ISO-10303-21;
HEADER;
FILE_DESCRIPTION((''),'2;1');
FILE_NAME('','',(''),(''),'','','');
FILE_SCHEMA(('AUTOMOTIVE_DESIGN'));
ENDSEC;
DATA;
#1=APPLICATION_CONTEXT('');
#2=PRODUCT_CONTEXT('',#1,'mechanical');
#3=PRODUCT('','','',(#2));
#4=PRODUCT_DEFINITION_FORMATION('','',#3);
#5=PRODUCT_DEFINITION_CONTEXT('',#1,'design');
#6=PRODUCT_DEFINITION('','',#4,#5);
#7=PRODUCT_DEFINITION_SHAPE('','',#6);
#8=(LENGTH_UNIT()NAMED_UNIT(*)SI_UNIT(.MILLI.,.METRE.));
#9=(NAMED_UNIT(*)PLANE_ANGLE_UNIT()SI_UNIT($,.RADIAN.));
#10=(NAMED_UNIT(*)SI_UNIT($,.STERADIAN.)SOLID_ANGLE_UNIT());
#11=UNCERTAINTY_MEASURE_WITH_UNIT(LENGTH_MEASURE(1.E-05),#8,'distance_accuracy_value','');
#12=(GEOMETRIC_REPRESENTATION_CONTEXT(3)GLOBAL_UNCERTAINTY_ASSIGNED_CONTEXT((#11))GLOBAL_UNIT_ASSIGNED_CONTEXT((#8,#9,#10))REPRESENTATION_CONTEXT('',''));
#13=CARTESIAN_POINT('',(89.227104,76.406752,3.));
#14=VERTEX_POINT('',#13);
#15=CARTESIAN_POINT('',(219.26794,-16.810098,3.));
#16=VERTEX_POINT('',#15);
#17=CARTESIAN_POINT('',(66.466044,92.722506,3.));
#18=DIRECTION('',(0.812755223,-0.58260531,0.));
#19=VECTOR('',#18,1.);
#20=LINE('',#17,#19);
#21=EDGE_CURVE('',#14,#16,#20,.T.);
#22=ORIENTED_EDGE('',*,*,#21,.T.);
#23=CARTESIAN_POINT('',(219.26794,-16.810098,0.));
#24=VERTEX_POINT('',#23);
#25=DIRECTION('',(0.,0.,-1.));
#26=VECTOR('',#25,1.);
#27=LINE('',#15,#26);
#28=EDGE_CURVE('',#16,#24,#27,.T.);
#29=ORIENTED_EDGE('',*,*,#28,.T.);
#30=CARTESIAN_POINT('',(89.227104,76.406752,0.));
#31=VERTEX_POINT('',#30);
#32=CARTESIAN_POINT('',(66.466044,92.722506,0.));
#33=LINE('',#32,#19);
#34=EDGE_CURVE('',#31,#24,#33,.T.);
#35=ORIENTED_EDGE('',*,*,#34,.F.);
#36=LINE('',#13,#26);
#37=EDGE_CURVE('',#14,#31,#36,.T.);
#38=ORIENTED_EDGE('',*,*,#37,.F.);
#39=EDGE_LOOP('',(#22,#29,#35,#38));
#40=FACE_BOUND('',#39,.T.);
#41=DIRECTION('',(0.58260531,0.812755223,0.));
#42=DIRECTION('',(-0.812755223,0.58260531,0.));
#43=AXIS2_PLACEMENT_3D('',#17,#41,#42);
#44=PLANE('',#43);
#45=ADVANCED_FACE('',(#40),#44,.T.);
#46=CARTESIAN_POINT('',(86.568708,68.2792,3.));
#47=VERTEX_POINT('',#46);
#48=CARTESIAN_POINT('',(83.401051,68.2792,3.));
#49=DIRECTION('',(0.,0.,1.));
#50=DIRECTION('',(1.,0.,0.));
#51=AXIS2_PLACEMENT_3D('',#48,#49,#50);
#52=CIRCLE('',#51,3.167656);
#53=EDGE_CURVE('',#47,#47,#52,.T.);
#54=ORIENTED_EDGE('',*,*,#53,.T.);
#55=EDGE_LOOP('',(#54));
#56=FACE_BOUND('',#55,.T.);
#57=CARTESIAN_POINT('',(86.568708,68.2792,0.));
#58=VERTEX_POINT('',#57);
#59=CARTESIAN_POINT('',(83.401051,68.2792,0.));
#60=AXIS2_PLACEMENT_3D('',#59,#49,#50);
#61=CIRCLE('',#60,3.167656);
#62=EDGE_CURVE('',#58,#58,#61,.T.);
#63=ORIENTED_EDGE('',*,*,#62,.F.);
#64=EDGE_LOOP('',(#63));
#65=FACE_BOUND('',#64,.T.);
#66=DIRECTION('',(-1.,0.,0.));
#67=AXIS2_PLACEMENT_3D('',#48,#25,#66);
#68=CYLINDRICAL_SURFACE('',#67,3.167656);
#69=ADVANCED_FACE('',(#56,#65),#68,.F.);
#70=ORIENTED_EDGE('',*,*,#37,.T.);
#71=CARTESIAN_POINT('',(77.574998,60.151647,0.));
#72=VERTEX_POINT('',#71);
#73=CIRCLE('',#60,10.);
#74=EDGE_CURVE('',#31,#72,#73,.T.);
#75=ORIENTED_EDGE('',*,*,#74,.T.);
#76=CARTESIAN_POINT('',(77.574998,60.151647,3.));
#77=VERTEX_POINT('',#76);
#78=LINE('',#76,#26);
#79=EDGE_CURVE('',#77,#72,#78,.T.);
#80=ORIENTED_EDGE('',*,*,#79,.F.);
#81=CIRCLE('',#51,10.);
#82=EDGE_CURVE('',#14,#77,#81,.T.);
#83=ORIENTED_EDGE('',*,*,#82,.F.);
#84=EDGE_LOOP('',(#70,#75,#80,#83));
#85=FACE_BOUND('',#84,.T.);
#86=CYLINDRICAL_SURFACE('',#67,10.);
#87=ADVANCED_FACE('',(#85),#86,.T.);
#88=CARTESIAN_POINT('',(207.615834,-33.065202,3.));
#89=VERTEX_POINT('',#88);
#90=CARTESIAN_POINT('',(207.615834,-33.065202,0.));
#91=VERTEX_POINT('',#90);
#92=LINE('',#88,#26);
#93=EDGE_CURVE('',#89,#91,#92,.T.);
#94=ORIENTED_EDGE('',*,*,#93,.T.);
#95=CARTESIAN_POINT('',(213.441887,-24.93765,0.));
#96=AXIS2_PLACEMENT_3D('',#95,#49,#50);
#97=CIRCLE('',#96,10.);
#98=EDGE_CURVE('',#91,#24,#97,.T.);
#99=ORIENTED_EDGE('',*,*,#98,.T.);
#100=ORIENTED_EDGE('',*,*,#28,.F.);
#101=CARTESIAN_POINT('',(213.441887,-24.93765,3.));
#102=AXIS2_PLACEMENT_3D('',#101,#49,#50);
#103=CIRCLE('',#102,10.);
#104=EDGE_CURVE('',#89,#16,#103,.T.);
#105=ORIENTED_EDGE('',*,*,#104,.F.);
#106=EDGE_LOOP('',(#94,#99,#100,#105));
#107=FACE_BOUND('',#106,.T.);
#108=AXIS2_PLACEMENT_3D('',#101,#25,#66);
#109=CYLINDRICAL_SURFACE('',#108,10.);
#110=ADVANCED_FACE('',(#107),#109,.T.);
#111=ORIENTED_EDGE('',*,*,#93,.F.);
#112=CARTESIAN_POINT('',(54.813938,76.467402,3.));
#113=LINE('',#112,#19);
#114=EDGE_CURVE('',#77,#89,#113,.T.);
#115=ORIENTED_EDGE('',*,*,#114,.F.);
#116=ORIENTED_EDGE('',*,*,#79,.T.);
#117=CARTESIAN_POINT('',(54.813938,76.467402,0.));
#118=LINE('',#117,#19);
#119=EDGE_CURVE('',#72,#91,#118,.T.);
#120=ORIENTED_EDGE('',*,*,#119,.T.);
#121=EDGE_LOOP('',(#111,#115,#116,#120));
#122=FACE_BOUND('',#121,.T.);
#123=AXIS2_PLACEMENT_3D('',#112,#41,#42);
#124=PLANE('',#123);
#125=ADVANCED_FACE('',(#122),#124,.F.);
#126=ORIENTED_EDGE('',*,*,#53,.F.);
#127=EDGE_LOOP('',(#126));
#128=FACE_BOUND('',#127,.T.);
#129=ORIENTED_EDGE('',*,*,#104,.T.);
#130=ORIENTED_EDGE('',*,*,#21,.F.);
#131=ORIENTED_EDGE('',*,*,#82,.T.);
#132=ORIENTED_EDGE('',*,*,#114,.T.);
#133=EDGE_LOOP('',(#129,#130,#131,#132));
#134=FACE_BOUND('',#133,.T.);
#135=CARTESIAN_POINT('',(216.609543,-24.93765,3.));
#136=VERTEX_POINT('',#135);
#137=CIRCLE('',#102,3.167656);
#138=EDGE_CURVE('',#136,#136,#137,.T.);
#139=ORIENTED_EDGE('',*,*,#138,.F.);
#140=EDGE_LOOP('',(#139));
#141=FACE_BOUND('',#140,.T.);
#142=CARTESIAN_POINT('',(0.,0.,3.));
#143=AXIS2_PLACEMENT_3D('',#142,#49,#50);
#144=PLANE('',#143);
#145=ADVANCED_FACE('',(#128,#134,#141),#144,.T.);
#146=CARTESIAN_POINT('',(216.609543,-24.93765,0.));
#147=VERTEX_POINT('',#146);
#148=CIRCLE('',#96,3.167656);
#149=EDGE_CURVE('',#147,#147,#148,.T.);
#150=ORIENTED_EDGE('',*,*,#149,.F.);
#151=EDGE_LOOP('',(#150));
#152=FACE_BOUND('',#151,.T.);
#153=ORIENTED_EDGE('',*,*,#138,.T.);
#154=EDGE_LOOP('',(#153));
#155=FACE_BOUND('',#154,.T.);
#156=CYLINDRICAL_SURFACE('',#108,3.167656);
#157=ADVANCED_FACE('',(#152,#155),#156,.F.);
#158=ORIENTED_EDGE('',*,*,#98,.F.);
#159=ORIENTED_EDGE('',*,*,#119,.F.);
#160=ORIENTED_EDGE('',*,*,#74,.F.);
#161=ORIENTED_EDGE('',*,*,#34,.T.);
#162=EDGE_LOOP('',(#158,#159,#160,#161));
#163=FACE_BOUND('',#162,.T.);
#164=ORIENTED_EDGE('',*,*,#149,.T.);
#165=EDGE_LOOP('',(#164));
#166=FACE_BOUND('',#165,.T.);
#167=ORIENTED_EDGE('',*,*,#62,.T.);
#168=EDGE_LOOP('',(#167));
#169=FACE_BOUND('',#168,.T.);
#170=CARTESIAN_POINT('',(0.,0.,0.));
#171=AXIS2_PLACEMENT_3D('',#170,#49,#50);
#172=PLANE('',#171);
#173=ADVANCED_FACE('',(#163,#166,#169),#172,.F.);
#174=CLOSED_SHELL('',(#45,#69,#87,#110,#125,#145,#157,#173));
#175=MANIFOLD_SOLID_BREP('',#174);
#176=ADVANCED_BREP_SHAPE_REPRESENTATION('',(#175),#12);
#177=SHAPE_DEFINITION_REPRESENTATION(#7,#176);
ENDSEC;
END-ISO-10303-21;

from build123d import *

# Parameters (mm, degrees)
SKETCH1_R           = 3.167656389
BOSS_EXTRUDE1_DEPTH = 3


with BuildPart() as part:
    # Sketch1 → Boss-Extrude1 (new body)
    with BuildSketch(Plane.XY):
        with BuildLine():
            Line((77.574998275, 60.151647429), (207.615833961, -33.065202197))
            ThreePointArc((207.615833961, -33.065202197), (221.569439293, -30.763703069), (219.267940164, -16.810097737))
            Line((219.267940164, -16.810097737), (89.227104478, 76.406751889))
            ThreePointArc((89.227104478, 76.406751889), (75.273499146, 74.105252761), (77.574998275, 60.151647429))
        make_face()
        with Locations((83.401051377, 68.279199659)):
            Circle(SKETCH1_R, mode=Mode.SUBTRACT)
        with Locations((213.441887062, -24.937649967)):
            Circle(SKETCH1_R, mode=Mode.SUBTRACT)
    extrude(amount=BOSS_EXTRUDE1_DEPTH)


solid = part.part
